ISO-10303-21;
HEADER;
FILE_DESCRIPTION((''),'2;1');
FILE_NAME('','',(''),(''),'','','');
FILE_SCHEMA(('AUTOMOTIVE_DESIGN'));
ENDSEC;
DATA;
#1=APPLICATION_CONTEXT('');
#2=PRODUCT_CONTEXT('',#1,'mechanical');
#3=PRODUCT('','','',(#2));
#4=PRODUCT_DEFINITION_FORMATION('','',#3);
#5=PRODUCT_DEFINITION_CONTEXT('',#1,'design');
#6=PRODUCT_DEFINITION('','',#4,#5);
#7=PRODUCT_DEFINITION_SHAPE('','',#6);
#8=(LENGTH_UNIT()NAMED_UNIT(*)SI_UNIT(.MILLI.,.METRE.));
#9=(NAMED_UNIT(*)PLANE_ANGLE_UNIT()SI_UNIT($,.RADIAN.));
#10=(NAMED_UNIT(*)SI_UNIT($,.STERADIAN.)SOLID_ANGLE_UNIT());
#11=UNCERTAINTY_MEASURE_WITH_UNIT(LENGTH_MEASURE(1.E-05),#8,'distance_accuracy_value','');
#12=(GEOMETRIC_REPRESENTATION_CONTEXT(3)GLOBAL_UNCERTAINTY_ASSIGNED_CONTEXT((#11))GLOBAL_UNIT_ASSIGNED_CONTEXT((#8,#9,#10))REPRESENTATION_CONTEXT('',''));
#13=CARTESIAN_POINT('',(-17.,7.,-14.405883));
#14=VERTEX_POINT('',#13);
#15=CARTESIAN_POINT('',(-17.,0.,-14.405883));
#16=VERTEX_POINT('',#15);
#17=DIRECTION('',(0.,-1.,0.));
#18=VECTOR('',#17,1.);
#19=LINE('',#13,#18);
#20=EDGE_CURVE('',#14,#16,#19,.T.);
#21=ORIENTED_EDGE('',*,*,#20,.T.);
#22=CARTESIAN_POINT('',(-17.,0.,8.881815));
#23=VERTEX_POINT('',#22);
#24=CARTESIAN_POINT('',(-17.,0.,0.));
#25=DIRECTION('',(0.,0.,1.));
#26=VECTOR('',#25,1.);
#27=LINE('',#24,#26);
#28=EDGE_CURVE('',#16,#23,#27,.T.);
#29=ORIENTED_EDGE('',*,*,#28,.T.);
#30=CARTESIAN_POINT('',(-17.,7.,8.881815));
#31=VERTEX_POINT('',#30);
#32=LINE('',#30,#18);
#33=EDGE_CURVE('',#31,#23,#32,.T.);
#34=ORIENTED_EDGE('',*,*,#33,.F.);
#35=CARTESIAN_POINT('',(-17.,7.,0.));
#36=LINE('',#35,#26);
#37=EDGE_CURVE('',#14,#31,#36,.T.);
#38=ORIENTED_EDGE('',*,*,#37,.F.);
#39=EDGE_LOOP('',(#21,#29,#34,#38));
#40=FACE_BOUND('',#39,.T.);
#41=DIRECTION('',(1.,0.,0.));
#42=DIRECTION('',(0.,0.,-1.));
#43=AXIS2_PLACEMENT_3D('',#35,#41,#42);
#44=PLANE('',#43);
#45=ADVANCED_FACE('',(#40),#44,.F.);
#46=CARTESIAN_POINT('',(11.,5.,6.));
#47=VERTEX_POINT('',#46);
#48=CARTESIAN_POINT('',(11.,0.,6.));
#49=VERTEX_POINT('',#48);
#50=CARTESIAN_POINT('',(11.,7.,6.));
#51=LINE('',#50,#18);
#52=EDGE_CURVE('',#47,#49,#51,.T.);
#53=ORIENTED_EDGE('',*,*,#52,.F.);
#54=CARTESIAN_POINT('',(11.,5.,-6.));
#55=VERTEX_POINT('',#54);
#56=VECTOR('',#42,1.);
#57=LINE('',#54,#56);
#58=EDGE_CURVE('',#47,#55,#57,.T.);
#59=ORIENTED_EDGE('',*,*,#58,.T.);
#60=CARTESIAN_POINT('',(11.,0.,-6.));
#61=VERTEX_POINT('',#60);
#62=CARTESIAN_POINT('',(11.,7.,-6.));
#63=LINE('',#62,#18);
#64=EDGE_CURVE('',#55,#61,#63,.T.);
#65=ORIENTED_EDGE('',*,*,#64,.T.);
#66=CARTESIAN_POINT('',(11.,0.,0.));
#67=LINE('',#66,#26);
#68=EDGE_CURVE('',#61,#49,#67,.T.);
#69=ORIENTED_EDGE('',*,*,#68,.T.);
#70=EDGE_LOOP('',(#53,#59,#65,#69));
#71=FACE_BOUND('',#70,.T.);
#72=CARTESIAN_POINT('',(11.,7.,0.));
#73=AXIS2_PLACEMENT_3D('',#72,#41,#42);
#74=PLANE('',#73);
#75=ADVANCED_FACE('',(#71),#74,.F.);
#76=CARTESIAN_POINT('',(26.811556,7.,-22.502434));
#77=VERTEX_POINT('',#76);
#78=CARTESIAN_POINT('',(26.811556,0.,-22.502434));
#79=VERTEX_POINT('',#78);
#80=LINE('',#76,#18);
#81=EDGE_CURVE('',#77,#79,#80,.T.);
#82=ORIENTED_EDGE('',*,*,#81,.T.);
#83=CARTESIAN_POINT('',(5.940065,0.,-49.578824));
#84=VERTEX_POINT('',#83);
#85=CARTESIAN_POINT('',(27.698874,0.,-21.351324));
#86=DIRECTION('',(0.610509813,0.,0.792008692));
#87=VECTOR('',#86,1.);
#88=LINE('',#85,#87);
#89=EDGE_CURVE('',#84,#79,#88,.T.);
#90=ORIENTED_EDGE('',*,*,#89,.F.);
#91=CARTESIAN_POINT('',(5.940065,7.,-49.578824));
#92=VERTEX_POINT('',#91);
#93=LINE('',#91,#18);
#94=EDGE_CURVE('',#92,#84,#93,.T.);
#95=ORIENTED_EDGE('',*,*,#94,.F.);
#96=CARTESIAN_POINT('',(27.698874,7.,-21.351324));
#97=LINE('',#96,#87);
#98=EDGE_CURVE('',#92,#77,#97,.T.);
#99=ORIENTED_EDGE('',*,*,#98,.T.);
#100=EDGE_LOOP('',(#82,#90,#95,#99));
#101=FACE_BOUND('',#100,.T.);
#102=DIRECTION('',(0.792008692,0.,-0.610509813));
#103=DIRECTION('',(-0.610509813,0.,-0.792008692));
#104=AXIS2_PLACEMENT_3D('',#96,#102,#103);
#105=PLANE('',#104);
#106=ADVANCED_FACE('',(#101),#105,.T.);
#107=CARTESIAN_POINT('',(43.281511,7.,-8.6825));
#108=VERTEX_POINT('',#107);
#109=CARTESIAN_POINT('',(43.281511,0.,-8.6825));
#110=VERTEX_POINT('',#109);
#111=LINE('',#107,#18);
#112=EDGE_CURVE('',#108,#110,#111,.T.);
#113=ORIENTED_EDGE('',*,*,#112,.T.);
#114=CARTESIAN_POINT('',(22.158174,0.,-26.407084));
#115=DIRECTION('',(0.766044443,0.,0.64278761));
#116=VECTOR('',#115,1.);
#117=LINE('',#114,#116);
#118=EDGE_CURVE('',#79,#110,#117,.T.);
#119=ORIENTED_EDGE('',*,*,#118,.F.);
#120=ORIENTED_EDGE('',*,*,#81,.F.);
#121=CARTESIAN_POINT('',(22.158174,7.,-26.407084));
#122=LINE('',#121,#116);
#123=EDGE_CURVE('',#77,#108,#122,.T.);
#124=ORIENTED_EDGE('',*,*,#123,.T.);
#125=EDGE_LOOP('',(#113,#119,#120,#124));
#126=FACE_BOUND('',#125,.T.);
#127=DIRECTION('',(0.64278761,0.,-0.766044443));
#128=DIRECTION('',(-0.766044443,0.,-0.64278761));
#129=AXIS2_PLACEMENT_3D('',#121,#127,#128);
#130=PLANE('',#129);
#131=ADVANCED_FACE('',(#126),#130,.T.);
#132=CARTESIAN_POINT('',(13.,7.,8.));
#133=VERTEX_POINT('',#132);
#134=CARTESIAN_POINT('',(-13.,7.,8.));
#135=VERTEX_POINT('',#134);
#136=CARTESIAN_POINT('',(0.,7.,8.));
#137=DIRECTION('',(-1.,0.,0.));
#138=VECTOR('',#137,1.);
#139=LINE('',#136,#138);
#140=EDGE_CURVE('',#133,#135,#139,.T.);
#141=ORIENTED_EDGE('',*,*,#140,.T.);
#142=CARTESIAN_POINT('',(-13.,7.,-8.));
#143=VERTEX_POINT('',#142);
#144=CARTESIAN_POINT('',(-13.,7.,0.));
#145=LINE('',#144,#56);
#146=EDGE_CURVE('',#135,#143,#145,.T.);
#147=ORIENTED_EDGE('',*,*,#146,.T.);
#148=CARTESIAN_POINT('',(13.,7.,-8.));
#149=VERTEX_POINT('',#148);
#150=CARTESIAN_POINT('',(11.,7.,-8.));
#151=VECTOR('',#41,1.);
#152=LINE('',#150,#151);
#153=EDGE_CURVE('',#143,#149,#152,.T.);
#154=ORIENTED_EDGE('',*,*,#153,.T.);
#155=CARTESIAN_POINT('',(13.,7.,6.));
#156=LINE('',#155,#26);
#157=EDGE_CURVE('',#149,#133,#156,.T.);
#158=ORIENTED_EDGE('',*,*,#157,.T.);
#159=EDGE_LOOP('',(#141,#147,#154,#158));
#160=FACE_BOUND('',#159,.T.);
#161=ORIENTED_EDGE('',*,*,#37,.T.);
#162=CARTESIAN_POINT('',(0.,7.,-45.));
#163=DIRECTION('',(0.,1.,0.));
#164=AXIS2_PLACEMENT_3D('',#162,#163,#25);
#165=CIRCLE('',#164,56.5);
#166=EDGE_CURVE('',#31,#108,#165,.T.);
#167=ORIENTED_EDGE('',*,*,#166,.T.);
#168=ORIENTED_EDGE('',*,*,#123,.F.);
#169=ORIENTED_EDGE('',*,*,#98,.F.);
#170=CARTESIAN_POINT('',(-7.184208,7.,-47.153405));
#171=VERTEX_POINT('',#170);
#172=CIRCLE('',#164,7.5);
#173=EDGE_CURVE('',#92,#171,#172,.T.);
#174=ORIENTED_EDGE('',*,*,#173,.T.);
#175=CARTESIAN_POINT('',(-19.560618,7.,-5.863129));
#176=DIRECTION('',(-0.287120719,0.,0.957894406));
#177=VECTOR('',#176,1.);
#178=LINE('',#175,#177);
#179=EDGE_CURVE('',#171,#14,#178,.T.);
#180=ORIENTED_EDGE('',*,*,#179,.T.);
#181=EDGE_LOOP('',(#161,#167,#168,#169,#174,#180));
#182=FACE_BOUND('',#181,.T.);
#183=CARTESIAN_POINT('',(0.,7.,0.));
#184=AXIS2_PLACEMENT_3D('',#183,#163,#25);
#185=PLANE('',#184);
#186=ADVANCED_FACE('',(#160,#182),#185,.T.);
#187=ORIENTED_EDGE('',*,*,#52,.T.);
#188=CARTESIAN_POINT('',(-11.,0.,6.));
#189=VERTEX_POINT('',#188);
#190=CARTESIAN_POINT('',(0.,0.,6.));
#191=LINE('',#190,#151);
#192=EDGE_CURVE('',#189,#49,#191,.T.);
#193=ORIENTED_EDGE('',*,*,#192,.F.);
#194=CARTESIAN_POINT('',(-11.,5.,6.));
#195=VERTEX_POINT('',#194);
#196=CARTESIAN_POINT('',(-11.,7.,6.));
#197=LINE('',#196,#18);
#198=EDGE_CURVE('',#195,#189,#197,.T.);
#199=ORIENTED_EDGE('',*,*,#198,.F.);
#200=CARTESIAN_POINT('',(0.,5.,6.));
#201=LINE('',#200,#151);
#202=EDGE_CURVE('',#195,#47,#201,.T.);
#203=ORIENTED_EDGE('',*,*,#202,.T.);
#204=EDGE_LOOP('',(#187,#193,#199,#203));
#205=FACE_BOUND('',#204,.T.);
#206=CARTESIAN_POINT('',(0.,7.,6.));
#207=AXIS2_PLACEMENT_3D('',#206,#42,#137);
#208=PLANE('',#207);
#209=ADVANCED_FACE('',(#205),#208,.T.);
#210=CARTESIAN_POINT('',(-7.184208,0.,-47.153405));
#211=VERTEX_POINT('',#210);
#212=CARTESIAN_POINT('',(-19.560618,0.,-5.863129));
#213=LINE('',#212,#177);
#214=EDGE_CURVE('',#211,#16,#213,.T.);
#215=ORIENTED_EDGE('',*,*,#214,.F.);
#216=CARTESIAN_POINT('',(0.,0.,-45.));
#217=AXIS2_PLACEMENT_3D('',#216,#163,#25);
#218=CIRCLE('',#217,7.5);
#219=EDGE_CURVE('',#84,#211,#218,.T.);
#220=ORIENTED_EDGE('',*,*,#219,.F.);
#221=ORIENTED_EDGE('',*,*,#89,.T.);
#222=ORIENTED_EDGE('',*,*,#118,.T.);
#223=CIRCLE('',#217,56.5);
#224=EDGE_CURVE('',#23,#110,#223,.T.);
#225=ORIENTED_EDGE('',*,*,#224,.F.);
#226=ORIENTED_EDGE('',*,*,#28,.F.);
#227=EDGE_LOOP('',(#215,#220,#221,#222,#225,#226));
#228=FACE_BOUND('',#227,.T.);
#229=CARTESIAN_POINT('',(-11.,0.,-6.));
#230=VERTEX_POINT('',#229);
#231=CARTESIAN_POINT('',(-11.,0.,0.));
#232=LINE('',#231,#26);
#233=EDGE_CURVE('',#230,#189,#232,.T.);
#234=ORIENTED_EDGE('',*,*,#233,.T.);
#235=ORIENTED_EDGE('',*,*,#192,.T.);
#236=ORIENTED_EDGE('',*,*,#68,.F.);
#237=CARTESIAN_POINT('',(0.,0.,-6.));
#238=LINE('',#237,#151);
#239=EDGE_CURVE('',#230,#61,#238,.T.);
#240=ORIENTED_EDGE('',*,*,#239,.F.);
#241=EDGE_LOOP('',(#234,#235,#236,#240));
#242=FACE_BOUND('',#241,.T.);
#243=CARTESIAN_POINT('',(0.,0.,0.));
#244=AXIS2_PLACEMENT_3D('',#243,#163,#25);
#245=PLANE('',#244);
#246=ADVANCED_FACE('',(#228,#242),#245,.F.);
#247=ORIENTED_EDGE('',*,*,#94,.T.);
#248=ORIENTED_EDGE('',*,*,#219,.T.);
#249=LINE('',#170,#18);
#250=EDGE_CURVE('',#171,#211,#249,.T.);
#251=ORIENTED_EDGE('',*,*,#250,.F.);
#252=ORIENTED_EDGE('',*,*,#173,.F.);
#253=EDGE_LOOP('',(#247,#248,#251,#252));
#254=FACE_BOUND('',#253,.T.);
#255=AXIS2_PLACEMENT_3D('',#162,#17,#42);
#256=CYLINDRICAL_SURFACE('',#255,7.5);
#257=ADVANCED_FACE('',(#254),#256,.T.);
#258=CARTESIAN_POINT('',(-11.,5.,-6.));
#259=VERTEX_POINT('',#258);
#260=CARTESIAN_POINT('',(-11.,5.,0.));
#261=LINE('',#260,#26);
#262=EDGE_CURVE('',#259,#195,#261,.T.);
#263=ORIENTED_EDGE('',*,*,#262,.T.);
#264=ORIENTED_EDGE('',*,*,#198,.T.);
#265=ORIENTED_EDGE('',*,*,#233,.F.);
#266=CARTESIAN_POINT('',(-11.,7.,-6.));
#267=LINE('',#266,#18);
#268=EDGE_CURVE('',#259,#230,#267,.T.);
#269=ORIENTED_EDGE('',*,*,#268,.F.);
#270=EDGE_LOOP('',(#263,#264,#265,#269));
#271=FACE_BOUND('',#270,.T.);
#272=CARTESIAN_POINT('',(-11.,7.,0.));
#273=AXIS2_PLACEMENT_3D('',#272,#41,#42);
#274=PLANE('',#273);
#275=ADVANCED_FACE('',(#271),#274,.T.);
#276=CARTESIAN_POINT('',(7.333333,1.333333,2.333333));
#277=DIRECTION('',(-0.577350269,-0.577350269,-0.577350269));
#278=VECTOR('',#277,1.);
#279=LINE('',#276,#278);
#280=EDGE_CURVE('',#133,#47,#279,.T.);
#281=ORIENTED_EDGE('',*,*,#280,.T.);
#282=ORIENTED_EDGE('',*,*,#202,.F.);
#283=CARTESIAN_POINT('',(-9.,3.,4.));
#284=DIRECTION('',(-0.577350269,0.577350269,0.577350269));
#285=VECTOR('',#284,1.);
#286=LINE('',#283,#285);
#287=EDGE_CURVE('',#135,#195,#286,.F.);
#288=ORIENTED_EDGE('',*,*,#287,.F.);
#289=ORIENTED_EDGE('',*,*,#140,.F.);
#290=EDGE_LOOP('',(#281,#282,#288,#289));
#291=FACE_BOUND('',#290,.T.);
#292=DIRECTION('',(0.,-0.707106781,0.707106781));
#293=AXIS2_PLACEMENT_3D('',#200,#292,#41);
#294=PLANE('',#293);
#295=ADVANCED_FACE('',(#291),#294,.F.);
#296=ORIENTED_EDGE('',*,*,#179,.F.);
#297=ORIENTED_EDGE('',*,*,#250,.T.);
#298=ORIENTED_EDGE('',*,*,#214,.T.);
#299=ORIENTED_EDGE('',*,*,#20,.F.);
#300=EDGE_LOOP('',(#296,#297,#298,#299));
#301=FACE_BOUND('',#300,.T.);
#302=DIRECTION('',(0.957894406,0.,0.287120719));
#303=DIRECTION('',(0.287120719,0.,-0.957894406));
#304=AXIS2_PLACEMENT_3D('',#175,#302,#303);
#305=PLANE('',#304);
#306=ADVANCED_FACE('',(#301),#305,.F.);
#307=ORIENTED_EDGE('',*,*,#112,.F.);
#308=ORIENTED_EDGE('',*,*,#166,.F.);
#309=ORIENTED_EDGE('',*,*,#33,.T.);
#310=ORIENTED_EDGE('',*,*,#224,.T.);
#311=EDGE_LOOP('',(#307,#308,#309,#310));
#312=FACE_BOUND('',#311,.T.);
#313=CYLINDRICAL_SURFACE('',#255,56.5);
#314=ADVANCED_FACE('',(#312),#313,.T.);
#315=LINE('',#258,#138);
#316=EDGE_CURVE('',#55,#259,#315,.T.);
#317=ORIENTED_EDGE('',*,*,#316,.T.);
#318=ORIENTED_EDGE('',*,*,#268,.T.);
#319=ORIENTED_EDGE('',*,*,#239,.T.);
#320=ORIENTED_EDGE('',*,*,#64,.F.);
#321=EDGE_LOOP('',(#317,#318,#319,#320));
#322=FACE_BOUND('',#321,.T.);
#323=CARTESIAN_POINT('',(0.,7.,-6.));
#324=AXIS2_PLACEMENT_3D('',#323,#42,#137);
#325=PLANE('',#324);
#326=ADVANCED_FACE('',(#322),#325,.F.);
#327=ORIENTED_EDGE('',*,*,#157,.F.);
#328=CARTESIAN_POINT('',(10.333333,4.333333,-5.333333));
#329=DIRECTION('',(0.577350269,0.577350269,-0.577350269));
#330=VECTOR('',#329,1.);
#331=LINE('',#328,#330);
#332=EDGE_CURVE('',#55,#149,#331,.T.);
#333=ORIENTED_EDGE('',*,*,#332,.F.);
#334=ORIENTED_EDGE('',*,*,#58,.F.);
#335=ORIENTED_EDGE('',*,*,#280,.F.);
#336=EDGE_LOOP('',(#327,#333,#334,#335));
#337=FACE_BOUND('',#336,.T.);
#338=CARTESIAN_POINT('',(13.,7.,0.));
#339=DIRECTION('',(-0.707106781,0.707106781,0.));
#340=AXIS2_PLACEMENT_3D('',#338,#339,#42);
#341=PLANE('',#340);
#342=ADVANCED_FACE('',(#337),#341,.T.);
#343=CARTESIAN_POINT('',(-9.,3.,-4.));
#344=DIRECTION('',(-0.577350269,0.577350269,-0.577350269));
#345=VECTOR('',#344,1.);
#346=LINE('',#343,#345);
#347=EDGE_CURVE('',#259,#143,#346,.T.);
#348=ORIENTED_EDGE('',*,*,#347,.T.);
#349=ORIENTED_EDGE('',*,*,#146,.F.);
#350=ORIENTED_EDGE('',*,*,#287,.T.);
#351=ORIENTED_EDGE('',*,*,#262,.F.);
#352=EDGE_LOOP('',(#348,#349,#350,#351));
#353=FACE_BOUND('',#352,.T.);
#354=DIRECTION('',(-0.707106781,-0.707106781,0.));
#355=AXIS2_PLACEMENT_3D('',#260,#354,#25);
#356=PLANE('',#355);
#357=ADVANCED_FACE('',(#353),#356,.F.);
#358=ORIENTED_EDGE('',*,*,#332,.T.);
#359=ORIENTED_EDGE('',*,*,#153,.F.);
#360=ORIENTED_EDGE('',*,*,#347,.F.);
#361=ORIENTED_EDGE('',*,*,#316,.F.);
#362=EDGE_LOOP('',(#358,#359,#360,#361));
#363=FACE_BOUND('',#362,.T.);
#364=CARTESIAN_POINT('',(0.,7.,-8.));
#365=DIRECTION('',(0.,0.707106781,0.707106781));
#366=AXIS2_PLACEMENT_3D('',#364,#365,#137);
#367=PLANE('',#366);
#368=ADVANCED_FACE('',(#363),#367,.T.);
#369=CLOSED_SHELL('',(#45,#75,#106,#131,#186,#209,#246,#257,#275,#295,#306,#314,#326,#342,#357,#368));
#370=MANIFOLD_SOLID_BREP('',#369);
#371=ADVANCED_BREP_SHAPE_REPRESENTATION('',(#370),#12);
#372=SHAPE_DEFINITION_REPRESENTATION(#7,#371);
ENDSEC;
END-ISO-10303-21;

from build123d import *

# Parameters (mm, degrees)
SKETCH1_W           = 22
SKETCH1_H           = 12
BOSS_EXTRUDE1_DEPTH = 7
CHAMFER1_SIZE       = 2


with BuildPart() as part:
    # Sketch1 → Boss-Extrude1 (new body)
    with BuildSketch(Plane(origin=(0, 0, 0), x_dir=(1, 0, 0), z_dir=(0, 1, 0))):
        with BuildLine():
            Line((26.811555509, 22.502433661), (5.940065191, 49.578823596))
            ThreePointArc((5.940065191, 49.578823596), (-1.362951292, 52.375117882), (-7.184208043, 47.153405394))
            Line((-7.184208043, 47.153405394), (-17, 14.405882918))
            Line((-17, 14.405882918), (-17, -8.881815114))
            ThreePointArc((-17, -8.881815114), (15.805244301, -9.244301568), (43.281511036, 8.682500053))
            Line((43.281511036, 8.682500053), (26.811555509, 22.502433661))
        make_face()
        Rectangle(SKETCH1_W, SKETCH1_H, mode=Mode.SUBTRACT)
    extrude(amount=BOSS_EXTRUDE1_DEPTH)

    # Chamfer1
    chamfer1_edges = [part.edges().sort_by_distance(p)[0] for p in [
        (0, 7, -6),
        (11, 7, 0),
        (0, 7, 6),
        (-11, 7, 0),
    ]]
    chamfer(chamfer1_edges, length=CHAMFER1_SIZE)


solid = part.part
